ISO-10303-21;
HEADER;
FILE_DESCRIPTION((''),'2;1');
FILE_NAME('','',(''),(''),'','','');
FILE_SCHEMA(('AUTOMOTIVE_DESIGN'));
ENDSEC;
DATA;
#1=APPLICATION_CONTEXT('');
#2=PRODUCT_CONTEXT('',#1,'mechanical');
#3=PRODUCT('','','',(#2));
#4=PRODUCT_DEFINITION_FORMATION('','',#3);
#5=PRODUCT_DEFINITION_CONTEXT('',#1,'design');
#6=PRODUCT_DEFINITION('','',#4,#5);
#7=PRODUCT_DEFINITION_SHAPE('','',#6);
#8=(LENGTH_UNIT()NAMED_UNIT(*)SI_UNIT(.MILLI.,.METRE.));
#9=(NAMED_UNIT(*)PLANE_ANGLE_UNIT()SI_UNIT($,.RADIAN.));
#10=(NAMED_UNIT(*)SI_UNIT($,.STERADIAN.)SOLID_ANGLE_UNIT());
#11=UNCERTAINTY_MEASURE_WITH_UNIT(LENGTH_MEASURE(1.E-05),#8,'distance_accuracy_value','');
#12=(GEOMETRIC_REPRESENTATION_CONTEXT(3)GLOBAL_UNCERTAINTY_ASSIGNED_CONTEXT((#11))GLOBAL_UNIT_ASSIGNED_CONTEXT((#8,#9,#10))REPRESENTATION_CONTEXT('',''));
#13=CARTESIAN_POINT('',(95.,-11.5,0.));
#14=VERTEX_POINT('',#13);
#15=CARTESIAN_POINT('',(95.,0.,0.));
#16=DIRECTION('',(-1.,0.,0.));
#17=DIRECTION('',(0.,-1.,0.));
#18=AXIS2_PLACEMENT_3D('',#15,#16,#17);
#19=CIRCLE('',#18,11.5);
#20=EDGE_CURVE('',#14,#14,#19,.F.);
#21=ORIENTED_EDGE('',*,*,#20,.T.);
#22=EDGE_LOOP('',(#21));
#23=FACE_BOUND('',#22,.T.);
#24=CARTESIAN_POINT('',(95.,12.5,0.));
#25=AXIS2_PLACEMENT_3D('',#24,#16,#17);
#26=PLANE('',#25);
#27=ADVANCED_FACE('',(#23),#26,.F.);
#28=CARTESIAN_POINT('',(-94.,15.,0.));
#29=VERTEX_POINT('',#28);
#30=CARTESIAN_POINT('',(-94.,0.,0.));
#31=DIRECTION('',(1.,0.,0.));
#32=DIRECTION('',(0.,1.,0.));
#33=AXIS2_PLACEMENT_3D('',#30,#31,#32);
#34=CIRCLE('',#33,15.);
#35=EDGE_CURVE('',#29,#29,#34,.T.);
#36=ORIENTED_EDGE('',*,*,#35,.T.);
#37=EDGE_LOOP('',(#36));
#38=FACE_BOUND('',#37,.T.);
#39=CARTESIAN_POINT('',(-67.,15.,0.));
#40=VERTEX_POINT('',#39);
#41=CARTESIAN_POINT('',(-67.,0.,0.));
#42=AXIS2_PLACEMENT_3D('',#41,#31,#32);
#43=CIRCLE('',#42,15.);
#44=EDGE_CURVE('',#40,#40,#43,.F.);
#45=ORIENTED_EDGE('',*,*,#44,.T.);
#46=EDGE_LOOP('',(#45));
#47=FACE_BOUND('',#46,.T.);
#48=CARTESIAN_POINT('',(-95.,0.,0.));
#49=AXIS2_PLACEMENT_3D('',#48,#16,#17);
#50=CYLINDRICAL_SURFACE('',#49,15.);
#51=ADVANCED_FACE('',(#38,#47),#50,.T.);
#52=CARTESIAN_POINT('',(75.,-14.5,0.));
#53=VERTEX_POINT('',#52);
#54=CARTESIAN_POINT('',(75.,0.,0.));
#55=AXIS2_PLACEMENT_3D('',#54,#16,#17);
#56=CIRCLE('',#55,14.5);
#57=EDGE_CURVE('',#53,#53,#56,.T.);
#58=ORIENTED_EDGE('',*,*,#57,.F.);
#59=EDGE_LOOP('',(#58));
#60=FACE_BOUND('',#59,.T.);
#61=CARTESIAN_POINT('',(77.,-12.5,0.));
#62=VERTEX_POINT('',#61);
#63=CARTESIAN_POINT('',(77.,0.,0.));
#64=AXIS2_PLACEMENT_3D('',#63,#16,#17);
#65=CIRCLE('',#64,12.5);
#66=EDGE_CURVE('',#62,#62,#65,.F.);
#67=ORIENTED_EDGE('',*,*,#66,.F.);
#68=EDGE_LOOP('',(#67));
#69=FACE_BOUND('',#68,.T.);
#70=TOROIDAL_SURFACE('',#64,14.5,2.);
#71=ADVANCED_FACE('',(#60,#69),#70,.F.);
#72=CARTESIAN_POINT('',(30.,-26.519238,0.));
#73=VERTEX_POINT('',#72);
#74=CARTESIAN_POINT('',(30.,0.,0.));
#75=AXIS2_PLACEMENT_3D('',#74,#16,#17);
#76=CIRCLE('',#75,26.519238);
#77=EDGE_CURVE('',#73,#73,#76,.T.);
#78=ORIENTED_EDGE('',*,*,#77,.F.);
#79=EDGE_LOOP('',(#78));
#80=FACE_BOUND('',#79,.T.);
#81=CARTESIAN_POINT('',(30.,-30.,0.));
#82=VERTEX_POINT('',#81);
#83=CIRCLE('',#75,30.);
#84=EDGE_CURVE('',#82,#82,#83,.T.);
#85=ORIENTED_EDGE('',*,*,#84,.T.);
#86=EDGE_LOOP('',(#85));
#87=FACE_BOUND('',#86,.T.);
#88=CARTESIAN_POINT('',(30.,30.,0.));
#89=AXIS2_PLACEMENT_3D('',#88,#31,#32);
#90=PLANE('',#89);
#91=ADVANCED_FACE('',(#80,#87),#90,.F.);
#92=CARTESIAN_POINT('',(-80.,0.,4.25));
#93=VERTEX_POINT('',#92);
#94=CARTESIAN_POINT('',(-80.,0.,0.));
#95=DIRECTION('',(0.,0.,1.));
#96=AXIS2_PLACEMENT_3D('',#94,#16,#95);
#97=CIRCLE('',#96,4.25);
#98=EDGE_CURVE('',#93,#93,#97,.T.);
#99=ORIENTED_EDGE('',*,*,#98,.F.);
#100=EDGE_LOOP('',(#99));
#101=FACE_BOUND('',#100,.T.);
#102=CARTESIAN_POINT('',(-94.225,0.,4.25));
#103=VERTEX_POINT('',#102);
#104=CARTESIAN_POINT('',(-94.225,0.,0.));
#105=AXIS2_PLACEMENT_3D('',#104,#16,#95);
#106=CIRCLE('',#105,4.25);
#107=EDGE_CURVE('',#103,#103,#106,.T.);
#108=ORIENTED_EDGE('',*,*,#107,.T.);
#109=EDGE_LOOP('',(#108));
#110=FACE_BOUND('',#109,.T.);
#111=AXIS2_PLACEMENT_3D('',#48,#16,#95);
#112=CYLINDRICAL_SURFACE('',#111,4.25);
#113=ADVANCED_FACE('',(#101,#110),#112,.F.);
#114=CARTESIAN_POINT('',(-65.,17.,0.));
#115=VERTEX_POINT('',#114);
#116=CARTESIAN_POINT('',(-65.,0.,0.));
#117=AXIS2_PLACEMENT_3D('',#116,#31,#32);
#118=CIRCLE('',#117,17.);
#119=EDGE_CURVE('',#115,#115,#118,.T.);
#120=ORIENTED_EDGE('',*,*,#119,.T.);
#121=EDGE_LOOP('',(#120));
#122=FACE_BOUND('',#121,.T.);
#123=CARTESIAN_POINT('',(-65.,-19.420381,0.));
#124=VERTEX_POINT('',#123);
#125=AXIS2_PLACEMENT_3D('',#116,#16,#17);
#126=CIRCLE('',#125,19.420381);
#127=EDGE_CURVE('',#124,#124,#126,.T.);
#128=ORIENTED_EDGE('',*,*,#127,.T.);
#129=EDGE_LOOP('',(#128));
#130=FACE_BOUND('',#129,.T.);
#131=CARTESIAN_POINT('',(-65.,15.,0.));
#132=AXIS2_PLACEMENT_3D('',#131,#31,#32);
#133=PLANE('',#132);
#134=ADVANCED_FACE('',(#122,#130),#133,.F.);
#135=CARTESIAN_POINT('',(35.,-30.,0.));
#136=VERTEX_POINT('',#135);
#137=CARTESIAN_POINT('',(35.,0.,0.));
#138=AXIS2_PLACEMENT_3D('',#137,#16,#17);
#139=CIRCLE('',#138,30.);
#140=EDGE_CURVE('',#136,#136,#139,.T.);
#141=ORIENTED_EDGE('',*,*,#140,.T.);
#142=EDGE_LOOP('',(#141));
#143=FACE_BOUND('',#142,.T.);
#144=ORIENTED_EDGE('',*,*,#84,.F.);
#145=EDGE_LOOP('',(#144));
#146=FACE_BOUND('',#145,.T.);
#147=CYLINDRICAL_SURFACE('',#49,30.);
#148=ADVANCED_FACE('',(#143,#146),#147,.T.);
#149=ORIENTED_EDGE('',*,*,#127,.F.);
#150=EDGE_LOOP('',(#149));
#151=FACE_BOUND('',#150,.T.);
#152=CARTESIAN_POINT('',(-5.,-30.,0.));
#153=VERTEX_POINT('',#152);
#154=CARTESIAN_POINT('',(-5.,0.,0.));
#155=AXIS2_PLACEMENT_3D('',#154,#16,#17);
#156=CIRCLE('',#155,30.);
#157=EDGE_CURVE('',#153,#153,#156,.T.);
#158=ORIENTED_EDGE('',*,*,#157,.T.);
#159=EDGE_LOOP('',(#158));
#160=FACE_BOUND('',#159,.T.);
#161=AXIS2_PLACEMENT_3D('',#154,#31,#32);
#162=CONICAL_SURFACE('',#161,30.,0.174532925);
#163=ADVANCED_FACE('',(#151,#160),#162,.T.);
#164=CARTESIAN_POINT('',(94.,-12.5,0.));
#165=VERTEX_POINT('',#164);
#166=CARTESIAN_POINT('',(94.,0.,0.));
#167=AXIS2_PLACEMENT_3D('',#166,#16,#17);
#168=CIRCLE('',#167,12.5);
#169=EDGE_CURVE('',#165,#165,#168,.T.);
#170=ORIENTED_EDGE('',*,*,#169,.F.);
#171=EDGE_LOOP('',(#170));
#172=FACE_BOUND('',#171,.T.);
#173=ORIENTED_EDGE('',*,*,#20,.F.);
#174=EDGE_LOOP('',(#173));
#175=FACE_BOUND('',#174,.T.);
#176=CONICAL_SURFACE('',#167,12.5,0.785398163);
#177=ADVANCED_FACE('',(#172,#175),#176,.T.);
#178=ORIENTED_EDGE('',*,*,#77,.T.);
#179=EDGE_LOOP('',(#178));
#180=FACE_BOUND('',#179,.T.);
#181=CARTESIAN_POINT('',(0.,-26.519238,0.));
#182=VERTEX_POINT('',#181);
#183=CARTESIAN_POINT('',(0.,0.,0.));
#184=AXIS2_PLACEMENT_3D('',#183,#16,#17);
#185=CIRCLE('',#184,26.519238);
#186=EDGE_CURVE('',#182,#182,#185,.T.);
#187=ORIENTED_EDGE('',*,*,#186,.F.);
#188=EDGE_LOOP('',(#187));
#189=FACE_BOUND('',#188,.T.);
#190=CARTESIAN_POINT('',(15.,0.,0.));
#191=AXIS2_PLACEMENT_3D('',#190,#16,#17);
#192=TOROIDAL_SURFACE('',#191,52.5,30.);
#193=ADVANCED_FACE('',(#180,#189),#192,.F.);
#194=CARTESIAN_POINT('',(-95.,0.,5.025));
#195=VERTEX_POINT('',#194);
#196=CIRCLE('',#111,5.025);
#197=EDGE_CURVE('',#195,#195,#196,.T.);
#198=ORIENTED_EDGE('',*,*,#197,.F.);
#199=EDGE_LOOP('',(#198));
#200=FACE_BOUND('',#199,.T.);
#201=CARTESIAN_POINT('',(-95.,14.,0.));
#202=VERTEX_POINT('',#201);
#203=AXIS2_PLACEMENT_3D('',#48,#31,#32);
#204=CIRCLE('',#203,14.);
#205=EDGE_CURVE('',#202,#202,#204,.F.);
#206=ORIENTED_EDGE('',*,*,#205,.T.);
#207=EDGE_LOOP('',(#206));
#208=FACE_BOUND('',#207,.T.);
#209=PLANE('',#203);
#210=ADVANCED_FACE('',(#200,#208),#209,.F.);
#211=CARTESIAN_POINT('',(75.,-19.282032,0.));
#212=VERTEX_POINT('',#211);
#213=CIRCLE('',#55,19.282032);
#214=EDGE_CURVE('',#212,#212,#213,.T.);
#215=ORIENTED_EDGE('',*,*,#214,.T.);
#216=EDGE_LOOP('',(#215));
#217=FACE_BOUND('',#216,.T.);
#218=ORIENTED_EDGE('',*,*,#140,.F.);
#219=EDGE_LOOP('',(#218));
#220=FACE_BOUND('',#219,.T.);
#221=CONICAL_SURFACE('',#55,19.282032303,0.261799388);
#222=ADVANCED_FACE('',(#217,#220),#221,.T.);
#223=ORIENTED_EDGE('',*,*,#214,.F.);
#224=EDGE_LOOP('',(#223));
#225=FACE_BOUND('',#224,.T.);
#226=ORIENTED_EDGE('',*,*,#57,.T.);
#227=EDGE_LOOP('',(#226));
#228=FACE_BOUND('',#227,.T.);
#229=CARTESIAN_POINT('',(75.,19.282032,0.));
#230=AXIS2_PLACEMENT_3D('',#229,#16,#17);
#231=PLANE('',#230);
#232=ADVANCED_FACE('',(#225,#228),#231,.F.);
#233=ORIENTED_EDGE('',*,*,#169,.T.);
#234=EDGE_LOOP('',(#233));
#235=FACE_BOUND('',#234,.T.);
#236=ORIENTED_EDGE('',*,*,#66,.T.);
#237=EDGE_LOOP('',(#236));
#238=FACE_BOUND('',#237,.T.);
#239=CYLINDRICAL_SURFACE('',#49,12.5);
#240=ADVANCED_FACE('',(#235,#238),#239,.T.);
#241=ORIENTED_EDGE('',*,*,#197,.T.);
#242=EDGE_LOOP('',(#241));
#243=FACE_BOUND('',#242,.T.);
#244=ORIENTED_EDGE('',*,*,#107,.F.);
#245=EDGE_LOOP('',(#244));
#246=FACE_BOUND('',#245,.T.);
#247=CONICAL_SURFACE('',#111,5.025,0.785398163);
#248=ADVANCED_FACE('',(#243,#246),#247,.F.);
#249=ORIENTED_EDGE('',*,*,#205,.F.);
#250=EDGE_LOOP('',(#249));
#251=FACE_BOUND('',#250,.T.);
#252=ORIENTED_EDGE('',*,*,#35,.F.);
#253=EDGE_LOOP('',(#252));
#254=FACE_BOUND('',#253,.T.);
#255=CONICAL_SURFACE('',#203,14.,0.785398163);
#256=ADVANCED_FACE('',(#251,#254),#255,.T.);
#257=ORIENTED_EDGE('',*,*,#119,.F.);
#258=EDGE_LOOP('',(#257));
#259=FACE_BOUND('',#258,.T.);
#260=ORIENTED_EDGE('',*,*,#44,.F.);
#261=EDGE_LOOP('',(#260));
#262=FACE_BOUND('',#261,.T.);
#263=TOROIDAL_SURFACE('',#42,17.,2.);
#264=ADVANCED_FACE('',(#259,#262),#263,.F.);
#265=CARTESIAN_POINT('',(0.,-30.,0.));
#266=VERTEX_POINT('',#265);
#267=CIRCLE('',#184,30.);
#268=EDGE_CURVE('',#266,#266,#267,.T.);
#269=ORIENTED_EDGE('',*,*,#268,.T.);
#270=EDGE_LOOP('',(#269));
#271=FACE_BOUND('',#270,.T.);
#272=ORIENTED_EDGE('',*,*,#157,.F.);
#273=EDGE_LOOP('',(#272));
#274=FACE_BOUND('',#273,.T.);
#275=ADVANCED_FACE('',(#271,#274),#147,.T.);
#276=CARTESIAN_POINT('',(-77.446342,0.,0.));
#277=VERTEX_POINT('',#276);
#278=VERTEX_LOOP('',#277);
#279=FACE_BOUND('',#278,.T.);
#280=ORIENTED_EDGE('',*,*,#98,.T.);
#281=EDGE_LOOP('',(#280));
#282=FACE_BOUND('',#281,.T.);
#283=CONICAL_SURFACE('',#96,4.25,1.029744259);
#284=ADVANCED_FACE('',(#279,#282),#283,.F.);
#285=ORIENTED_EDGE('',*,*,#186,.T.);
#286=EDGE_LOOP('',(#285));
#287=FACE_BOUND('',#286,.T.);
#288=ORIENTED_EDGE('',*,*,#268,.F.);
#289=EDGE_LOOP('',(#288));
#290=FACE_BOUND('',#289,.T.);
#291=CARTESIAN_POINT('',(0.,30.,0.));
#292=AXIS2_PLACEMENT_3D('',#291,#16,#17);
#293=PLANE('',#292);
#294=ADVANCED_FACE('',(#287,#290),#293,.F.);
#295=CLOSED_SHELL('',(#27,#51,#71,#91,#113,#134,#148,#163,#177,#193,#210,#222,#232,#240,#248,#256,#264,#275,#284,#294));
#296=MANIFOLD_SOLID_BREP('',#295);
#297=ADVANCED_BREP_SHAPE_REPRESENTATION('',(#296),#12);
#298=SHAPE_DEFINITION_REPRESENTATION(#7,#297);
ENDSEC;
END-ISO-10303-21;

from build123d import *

# Parameters (mm, degrees)
CHANFRO1_SIZE                    = 1
FILETE1_R                        = 2
FURO_ROSCADO_DE_M101_D           = 8.5
FURO_ROSCADO_DE_M101_DEPTH       = 15
FURO_ROSCADO_DE_M101_CSINK_D     = 10.05
FURO_ROSCADO_DE_M101_CSINK_ANGLE = 90
FURO_ROSCADO_DE_M101_TIP         = 2.553657631


with BuildPart() as part:
    # Esboço1 → Revolução1 (revolve)
    with BuildSketch(Plane.XY):
        with BuildLine():
            Line((-95, 0), (-95, 15))
            Line((-95, 15), (-65, 15))
            Line((-65, 15), (-65, 19.420381157))
            Line((-65, 19.420381157), (-5, 30))
            Line((-5, 30), (0, 30))
            Line((0, 30), (0, 26.519237886))
            ThreePointArc((0, 26.519237886), (15, 22.5), (30, 26.519237886))
            Line((30, 26.519237886), (30, 30))
            Line((30, 30), (35, 30))
            Line((35, 30), (75, 19.282032303))
            Line((75, 19.282032303), (75, 12.5))
            Line((75, 12.5), (95, 12.5))
            Line((95, 12.5), (95, 0))
            Line((95, 0), (-95, 0))
        make_face()
    revolve(axis=Axis((-95, 0, 0), (1, 0, 0)))

    # Chanfro1
    chanfro1_edges = [part.edges().sort_by_distance(p)[0] for p in [
        (-95, -15, 0),
        (95, -12.5, 0),
    ]]
    chamfer(chanfro1_edges, length=CHANFRO1_SIZE)

    # Filete1
    filete1_edges = [part.edges().sort_by_distance(p)[0] for p in [
        (-65, -15, 0),
        (75, -12.5, 0),
    ]]
    fillet(filete1_edges, radius=FILETE1_R)

    # Furo roscado de M101
    with Locations(Plane.ZY.offset(95)):
        with Locations((0, 0)):
            CounterSinkHole(FURO_ROSCADO_DE_M101_D / 2, FURO_ROSCADO_DE_M101_CSINK_D / 2, depth=FURO_ROSCADO_DE_M101_DEPTH, counter_sink_angle=FURO_ROSCADO_DE_M101_CSINK_ANGLE)
            with Locations((0, 0, -(FURO_ROSCADO_DE_M101_DEPTH + FURO_ROSCADO_DE_M101_TIP / 2))):  # 118° drill point
                Cone(0, FURO_ROSCADO_DE_M101_D / 2, FURO_ROSCADO_DE_M101_TIP, mode=Mode.SUBTRACT)


solid = part.part
